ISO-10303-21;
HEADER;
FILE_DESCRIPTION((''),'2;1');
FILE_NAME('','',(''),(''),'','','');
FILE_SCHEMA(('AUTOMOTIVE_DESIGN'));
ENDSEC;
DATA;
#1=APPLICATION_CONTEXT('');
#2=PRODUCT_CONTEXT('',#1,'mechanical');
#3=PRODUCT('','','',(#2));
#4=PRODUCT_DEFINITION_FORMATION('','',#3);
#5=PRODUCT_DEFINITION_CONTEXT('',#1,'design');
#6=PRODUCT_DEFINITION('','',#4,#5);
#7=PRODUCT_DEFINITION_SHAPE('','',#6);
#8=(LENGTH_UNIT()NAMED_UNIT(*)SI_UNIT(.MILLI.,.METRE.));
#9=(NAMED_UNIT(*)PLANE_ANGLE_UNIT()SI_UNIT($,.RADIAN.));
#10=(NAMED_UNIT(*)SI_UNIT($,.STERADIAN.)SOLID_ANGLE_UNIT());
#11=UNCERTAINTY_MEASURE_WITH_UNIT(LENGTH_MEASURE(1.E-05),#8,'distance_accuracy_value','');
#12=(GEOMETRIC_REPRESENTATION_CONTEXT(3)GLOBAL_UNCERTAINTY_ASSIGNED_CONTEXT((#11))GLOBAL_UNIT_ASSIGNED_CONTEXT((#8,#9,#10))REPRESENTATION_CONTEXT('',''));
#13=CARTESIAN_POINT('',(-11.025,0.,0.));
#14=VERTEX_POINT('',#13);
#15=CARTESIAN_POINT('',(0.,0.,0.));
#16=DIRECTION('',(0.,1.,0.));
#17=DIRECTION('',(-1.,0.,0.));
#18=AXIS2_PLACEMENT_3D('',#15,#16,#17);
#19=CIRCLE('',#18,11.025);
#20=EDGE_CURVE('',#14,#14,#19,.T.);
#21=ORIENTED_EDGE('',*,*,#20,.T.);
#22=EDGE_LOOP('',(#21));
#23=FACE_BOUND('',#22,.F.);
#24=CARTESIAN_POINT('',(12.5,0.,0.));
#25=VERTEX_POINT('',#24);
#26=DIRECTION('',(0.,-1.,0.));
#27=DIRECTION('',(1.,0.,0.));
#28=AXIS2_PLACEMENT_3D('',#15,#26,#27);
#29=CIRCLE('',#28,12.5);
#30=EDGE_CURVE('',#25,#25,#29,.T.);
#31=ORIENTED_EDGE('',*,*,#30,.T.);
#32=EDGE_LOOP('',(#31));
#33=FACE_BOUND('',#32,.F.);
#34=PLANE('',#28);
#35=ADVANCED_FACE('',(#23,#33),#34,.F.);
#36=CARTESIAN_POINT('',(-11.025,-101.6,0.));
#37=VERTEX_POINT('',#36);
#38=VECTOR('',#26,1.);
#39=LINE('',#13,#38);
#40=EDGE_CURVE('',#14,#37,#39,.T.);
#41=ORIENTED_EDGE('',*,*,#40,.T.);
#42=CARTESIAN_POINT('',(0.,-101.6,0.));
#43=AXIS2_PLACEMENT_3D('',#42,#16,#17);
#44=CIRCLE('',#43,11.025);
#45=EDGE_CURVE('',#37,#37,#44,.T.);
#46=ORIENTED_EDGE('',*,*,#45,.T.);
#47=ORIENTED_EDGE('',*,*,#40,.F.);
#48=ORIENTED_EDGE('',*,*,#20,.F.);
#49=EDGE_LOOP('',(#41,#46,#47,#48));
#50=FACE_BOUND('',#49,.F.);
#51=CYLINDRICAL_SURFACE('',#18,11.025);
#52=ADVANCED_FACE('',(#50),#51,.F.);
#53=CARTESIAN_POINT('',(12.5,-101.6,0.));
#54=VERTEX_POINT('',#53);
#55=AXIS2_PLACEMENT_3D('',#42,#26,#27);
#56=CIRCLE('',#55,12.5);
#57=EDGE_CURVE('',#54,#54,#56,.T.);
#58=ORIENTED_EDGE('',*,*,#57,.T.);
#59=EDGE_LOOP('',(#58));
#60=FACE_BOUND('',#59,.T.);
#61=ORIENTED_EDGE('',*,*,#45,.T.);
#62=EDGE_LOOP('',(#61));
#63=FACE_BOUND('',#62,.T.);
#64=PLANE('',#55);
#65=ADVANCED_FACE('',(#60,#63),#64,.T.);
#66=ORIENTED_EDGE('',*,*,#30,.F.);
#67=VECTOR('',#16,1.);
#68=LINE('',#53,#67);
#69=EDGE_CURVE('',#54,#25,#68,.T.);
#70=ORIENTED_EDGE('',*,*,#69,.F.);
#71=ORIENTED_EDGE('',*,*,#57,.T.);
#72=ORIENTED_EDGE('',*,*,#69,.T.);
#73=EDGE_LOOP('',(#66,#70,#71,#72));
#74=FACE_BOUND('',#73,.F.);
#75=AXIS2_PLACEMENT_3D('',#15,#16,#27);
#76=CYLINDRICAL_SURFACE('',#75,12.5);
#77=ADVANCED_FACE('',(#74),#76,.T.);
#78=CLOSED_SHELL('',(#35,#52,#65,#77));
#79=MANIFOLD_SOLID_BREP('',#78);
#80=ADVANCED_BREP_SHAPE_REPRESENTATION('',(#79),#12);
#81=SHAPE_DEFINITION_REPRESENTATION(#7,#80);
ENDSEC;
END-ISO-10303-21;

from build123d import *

# Parameters (mm, degrees)
F0_R     = 12.5
F1_DEPTH = 101.6
F2_DEPTH = 25.4
F3_R     = 11.025
F4_DEPTH = 291.084


with BuildPart() as f1:
    # F0 (on Front) → F1 (new body)
    with BuildSketch(Plane.XZ):
        Circle(F0_R)
    extrude(amount=F1_DEPTH)

    # F0 (on Front) → F2 (join)
    with BuildSketch(Plane.XZ):
        Circle(F0_R)
    extrude(amount=F2_DEPTH)

    # F3 (on face) → F4 (cut)
    with BuildSketch(Plane(origin=(0, 0, 0), x_dir=(-1, 0, 0), z_dir=(0, 1, 0))):
        Circle(F3_R)
    extrude(amount=-F4_DEPTH, mode=Mode.SUBTRACT)


solid = f1.part
